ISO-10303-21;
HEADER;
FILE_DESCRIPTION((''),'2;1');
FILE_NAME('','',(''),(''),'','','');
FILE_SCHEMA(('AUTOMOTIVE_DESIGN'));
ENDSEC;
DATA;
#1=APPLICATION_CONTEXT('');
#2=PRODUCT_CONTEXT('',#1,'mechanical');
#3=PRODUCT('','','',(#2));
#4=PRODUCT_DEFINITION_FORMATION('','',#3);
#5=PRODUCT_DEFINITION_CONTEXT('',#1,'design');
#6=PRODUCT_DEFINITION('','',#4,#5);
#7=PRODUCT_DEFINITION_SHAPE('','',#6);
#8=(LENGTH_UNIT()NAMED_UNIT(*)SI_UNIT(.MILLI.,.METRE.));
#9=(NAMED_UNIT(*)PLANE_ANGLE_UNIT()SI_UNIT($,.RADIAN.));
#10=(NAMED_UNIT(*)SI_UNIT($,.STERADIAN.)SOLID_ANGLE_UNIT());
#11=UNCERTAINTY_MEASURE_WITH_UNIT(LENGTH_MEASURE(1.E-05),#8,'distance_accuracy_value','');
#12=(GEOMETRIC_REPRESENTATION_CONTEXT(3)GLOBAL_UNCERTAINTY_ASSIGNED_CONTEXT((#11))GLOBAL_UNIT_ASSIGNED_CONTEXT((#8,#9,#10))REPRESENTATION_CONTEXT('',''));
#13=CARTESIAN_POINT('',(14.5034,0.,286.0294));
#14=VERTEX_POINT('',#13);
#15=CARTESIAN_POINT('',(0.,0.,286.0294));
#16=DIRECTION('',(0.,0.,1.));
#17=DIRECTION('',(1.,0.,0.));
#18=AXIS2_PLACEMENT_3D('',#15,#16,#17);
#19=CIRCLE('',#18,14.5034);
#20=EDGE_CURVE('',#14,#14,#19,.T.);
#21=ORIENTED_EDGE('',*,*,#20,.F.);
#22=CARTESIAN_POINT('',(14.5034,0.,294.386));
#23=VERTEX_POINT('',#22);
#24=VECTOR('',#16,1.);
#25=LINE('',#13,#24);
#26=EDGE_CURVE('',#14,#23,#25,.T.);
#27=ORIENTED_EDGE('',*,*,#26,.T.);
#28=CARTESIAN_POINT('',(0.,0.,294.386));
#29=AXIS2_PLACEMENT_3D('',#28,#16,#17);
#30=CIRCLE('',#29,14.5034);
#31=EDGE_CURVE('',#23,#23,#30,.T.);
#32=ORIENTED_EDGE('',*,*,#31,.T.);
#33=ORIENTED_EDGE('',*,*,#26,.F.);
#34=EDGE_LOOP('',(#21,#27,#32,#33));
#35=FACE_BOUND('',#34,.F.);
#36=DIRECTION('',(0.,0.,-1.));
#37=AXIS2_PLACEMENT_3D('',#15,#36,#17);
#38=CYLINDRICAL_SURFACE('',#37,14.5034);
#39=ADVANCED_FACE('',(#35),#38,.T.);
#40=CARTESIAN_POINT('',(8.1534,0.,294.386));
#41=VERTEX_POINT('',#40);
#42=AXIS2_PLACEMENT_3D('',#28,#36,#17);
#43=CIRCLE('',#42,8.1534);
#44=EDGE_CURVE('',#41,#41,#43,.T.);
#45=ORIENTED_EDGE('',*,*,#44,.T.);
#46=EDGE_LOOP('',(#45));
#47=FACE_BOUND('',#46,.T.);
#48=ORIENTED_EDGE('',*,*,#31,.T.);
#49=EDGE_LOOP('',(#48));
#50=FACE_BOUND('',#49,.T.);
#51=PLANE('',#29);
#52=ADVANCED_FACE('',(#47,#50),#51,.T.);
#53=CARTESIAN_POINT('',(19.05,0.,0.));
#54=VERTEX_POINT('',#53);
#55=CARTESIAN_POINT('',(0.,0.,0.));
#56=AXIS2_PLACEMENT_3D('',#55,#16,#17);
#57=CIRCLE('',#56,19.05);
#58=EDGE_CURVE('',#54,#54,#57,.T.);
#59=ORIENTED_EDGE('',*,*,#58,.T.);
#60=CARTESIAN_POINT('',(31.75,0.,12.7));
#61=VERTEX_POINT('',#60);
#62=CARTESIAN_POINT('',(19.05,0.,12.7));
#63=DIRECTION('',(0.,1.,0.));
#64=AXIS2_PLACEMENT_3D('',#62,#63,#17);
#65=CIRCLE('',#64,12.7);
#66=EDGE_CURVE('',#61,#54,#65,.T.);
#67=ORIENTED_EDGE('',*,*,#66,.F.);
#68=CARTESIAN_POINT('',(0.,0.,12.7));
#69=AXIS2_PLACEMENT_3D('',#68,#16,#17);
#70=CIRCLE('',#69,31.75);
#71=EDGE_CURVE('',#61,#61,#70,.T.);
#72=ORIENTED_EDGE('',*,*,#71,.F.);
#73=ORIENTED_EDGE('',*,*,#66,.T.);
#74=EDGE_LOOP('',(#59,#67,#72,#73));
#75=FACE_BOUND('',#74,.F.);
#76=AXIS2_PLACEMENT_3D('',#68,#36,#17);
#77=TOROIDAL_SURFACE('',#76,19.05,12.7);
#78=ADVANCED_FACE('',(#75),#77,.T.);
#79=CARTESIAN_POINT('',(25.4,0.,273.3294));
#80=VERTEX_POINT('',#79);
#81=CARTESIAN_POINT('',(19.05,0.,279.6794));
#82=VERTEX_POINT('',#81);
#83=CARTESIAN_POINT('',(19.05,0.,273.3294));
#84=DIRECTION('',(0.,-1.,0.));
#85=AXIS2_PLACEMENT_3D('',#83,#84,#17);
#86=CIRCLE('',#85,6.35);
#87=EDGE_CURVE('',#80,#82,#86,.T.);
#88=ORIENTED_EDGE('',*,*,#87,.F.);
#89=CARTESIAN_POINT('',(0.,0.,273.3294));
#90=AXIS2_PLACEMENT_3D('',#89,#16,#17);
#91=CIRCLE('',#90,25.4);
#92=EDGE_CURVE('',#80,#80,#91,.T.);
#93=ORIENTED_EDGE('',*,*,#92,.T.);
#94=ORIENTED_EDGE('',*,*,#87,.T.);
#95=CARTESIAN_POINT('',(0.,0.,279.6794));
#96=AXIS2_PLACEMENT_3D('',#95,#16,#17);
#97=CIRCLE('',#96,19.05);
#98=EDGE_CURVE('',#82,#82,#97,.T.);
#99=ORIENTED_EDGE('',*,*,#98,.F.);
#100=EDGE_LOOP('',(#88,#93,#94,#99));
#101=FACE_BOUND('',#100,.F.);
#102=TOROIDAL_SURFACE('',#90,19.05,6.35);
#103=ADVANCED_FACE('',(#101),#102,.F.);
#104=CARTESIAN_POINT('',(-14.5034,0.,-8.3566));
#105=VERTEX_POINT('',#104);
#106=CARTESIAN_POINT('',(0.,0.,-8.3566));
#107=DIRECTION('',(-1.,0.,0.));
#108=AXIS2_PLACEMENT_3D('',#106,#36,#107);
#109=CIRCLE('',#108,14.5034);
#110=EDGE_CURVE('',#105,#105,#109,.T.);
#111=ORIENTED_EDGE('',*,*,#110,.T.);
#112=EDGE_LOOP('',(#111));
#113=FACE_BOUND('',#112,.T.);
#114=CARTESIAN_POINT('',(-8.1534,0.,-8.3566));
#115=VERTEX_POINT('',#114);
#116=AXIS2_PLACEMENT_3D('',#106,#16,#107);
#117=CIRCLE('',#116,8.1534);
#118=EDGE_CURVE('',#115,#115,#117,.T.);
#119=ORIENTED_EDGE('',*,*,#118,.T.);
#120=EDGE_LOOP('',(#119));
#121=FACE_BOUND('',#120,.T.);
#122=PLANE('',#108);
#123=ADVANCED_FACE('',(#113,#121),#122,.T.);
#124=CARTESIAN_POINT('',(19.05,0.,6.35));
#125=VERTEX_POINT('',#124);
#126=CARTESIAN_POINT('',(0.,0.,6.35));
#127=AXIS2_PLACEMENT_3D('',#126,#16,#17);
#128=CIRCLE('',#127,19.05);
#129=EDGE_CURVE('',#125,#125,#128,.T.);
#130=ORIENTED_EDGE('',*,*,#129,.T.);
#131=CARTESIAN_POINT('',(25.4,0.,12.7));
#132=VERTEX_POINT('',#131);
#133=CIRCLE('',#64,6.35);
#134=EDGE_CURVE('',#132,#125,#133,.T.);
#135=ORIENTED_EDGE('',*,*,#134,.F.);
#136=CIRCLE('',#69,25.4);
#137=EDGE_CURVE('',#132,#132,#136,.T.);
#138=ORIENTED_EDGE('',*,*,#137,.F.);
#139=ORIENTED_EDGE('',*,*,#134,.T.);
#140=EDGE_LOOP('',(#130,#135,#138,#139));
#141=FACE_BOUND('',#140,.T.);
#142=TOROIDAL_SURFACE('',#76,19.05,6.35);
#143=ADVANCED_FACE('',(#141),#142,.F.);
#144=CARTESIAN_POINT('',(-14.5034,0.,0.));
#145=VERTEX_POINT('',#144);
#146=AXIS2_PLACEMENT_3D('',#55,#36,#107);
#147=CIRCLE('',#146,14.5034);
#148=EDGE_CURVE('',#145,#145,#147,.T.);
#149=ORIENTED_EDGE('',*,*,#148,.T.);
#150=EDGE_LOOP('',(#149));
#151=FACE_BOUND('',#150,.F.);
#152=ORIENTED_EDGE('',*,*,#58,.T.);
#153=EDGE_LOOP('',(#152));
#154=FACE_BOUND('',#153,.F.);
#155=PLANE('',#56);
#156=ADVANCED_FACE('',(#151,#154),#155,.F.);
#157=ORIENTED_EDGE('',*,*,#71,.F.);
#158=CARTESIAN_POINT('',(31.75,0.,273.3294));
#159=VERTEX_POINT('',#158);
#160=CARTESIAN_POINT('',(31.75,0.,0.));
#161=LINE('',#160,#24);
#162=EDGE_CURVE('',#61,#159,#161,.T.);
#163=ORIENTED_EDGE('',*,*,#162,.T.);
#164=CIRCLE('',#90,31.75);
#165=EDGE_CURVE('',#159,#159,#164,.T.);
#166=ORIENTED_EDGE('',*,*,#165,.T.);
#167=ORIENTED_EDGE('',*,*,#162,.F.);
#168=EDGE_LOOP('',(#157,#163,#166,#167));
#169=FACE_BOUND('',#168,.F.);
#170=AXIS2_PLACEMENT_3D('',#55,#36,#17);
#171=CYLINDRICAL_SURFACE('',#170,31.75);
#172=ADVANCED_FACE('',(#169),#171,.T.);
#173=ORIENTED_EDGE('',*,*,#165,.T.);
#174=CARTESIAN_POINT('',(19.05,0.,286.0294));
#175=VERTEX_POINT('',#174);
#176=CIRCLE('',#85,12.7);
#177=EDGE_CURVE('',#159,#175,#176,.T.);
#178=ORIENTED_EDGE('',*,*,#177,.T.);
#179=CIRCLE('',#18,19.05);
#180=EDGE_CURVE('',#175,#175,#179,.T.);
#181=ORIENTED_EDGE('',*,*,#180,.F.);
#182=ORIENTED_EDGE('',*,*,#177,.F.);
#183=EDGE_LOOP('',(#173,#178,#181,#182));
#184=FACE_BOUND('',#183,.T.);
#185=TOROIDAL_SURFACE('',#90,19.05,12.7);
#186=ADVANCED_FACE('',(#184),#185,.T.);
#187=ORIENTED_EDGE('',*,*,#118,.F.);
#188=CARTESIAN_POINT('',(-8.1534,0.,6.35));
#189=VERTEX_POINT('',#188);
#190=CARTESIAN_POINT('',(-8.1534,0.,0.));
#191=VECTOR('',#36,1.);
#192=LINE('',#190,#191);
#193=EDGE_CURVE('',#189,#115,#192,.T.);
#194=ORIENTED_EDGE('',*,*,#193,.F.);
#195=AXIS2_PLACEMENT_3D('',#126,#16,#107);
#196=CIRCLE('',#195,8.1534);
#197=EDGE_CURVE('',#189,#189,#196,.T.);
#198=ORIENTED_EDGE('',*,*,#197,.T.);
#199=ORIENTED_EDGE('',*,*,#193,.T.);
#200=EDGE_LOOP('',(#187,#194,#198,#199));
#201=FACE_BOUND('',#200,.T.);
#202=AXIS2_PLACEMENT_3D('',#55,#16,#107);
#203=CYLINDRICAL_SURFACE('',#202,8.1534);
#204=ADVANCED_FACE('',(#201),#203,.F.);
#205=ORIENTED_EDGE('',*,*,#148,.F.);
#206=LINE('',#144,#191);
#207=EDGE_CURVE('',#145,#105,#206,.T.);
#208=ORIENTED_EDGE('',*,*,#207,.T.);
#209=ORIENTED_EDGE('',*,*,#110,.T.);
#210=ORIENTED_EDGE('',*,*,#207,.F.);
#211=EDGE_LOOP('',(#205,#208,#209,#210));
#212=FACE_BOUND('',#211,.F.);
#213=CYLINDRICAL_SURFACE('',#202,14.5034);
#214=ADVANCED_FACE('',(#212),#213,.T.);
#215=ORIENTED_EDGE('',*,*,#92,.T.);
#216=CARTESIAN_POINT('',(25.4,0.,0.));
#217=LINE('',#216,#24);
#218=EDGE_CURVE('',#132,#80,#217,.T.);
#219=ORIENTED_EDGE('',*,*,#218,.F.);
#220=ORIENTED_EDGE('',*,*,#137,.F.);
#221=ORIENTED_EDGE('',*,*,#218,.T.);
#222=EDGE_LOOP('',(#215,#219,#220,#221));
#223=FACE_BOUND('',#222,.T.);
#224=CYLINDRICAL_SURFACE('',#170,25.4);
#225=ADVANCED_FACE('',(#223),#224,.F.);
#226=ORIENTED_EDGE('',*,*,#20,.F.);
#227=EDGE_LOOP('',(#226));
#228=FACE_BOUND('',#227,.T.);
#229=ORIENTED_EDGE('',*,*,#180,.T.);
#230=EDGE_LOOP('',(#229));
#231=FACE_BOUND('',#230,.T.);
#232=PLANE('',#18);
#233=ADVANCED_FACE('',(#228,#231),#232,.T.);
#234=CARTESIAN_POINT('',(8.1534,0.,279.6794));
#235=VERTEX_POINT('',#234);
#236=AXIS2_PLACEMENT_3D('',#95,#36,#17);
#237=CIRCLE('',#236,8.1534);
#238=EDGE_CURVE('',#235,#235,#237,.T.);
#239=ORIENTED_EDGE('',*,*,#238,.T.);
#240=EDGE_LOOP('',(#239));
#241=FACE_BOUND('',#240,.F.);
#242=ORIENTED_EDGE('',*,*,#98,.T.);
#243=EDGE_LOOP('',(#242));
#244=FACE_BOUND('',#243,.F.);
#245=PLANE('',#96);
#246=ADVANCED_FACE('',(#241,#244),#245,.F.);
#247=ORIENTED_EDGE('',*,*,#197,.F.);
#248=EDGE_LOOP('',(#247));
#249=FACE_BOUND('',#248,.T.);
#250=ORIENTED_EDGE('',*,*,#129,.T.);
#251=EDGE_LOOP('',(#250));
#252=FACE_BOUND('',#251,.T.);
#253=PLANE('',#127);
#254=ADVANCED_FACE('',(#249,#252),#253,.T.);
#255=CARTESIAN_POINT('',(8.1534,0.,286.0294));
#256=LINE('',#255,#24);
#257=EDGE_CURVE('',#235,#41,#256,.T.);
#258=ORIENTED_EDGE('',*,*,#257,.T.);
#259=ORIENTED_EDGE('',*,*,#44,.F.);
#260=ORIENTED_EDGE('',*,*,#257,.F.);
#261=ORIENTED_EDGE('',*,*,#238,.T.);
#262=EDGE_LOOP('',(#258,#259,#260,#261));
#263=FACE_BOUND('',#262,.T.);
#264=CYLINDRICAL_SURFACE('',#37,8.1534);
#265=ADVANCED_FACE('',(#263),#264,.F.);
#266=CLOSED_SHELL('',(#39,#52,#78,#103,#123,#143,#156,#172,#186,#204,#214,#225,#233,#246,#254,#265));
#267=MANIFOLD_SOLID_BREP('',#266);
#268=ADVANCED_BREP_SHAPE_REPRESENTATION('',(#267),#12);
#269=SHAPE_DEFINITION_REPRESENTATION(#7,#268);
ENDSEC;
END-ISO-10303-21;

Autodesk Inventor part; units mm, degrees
ref_plane "YZ Plane" through (0, 0, 0) normal (1, 0, 0) x (0, 1, 0)
ref_plane "XZ Plane" through (0, 0, 0) normal (0, 1, 0) x (-1, 0, 0)
ref_plane "XY Plane" through (0, 0, 0) normal (0, 0, 1) x (1, 0, 0)
sketch "Sketch1" plane through (0, 0, 0) normal (0, 0, 1) x (1, 0, 0)
  circle A0 centre (0, 0) radius 31.75
  dimension "d0" = 63.5
extrude "Extrusion1" add sketch "Sketch1" along normal blind 286.0294
sketch "Sketch2" plane through (0, 0, 286.0294) normal (0, 0, 1) x (1, 0, 0)
  circle A0 centre (0, 0) radius 31.75 projected
  circle A1 centre (0, 0) radius 14.5034
  dimension "d3" = 29.0068
extrude "Extrusion2" add sketch "Sketch2" along normal blind 8.3566 contours A1
sketch "Sketch3" plane through (0, 0, 0) normal (0, 0, -1) x (-1, 0, 0)
  circle A0 centre (0, 0) radius 31.75 projected
  circle A1 centre (0, 0) radius 14.5034
  dimension "d6" = 29.0068
extrude "Extrusion3" add sketch "Sketch3" along normal blind 8.3566 contours A1
fillet "Fillet1" radius 12.7 2 edges at (-31.75, 0, 0) (-31.75, 0, 286.0294)
shell "Shell1" thickness 6.35 removed faces 2 at (0.6824, -3.9787, -8.3566) at (-0.6824, -3.9787, 294.386)
properties part number "Pneuare Tank" material "Polypropylene"
